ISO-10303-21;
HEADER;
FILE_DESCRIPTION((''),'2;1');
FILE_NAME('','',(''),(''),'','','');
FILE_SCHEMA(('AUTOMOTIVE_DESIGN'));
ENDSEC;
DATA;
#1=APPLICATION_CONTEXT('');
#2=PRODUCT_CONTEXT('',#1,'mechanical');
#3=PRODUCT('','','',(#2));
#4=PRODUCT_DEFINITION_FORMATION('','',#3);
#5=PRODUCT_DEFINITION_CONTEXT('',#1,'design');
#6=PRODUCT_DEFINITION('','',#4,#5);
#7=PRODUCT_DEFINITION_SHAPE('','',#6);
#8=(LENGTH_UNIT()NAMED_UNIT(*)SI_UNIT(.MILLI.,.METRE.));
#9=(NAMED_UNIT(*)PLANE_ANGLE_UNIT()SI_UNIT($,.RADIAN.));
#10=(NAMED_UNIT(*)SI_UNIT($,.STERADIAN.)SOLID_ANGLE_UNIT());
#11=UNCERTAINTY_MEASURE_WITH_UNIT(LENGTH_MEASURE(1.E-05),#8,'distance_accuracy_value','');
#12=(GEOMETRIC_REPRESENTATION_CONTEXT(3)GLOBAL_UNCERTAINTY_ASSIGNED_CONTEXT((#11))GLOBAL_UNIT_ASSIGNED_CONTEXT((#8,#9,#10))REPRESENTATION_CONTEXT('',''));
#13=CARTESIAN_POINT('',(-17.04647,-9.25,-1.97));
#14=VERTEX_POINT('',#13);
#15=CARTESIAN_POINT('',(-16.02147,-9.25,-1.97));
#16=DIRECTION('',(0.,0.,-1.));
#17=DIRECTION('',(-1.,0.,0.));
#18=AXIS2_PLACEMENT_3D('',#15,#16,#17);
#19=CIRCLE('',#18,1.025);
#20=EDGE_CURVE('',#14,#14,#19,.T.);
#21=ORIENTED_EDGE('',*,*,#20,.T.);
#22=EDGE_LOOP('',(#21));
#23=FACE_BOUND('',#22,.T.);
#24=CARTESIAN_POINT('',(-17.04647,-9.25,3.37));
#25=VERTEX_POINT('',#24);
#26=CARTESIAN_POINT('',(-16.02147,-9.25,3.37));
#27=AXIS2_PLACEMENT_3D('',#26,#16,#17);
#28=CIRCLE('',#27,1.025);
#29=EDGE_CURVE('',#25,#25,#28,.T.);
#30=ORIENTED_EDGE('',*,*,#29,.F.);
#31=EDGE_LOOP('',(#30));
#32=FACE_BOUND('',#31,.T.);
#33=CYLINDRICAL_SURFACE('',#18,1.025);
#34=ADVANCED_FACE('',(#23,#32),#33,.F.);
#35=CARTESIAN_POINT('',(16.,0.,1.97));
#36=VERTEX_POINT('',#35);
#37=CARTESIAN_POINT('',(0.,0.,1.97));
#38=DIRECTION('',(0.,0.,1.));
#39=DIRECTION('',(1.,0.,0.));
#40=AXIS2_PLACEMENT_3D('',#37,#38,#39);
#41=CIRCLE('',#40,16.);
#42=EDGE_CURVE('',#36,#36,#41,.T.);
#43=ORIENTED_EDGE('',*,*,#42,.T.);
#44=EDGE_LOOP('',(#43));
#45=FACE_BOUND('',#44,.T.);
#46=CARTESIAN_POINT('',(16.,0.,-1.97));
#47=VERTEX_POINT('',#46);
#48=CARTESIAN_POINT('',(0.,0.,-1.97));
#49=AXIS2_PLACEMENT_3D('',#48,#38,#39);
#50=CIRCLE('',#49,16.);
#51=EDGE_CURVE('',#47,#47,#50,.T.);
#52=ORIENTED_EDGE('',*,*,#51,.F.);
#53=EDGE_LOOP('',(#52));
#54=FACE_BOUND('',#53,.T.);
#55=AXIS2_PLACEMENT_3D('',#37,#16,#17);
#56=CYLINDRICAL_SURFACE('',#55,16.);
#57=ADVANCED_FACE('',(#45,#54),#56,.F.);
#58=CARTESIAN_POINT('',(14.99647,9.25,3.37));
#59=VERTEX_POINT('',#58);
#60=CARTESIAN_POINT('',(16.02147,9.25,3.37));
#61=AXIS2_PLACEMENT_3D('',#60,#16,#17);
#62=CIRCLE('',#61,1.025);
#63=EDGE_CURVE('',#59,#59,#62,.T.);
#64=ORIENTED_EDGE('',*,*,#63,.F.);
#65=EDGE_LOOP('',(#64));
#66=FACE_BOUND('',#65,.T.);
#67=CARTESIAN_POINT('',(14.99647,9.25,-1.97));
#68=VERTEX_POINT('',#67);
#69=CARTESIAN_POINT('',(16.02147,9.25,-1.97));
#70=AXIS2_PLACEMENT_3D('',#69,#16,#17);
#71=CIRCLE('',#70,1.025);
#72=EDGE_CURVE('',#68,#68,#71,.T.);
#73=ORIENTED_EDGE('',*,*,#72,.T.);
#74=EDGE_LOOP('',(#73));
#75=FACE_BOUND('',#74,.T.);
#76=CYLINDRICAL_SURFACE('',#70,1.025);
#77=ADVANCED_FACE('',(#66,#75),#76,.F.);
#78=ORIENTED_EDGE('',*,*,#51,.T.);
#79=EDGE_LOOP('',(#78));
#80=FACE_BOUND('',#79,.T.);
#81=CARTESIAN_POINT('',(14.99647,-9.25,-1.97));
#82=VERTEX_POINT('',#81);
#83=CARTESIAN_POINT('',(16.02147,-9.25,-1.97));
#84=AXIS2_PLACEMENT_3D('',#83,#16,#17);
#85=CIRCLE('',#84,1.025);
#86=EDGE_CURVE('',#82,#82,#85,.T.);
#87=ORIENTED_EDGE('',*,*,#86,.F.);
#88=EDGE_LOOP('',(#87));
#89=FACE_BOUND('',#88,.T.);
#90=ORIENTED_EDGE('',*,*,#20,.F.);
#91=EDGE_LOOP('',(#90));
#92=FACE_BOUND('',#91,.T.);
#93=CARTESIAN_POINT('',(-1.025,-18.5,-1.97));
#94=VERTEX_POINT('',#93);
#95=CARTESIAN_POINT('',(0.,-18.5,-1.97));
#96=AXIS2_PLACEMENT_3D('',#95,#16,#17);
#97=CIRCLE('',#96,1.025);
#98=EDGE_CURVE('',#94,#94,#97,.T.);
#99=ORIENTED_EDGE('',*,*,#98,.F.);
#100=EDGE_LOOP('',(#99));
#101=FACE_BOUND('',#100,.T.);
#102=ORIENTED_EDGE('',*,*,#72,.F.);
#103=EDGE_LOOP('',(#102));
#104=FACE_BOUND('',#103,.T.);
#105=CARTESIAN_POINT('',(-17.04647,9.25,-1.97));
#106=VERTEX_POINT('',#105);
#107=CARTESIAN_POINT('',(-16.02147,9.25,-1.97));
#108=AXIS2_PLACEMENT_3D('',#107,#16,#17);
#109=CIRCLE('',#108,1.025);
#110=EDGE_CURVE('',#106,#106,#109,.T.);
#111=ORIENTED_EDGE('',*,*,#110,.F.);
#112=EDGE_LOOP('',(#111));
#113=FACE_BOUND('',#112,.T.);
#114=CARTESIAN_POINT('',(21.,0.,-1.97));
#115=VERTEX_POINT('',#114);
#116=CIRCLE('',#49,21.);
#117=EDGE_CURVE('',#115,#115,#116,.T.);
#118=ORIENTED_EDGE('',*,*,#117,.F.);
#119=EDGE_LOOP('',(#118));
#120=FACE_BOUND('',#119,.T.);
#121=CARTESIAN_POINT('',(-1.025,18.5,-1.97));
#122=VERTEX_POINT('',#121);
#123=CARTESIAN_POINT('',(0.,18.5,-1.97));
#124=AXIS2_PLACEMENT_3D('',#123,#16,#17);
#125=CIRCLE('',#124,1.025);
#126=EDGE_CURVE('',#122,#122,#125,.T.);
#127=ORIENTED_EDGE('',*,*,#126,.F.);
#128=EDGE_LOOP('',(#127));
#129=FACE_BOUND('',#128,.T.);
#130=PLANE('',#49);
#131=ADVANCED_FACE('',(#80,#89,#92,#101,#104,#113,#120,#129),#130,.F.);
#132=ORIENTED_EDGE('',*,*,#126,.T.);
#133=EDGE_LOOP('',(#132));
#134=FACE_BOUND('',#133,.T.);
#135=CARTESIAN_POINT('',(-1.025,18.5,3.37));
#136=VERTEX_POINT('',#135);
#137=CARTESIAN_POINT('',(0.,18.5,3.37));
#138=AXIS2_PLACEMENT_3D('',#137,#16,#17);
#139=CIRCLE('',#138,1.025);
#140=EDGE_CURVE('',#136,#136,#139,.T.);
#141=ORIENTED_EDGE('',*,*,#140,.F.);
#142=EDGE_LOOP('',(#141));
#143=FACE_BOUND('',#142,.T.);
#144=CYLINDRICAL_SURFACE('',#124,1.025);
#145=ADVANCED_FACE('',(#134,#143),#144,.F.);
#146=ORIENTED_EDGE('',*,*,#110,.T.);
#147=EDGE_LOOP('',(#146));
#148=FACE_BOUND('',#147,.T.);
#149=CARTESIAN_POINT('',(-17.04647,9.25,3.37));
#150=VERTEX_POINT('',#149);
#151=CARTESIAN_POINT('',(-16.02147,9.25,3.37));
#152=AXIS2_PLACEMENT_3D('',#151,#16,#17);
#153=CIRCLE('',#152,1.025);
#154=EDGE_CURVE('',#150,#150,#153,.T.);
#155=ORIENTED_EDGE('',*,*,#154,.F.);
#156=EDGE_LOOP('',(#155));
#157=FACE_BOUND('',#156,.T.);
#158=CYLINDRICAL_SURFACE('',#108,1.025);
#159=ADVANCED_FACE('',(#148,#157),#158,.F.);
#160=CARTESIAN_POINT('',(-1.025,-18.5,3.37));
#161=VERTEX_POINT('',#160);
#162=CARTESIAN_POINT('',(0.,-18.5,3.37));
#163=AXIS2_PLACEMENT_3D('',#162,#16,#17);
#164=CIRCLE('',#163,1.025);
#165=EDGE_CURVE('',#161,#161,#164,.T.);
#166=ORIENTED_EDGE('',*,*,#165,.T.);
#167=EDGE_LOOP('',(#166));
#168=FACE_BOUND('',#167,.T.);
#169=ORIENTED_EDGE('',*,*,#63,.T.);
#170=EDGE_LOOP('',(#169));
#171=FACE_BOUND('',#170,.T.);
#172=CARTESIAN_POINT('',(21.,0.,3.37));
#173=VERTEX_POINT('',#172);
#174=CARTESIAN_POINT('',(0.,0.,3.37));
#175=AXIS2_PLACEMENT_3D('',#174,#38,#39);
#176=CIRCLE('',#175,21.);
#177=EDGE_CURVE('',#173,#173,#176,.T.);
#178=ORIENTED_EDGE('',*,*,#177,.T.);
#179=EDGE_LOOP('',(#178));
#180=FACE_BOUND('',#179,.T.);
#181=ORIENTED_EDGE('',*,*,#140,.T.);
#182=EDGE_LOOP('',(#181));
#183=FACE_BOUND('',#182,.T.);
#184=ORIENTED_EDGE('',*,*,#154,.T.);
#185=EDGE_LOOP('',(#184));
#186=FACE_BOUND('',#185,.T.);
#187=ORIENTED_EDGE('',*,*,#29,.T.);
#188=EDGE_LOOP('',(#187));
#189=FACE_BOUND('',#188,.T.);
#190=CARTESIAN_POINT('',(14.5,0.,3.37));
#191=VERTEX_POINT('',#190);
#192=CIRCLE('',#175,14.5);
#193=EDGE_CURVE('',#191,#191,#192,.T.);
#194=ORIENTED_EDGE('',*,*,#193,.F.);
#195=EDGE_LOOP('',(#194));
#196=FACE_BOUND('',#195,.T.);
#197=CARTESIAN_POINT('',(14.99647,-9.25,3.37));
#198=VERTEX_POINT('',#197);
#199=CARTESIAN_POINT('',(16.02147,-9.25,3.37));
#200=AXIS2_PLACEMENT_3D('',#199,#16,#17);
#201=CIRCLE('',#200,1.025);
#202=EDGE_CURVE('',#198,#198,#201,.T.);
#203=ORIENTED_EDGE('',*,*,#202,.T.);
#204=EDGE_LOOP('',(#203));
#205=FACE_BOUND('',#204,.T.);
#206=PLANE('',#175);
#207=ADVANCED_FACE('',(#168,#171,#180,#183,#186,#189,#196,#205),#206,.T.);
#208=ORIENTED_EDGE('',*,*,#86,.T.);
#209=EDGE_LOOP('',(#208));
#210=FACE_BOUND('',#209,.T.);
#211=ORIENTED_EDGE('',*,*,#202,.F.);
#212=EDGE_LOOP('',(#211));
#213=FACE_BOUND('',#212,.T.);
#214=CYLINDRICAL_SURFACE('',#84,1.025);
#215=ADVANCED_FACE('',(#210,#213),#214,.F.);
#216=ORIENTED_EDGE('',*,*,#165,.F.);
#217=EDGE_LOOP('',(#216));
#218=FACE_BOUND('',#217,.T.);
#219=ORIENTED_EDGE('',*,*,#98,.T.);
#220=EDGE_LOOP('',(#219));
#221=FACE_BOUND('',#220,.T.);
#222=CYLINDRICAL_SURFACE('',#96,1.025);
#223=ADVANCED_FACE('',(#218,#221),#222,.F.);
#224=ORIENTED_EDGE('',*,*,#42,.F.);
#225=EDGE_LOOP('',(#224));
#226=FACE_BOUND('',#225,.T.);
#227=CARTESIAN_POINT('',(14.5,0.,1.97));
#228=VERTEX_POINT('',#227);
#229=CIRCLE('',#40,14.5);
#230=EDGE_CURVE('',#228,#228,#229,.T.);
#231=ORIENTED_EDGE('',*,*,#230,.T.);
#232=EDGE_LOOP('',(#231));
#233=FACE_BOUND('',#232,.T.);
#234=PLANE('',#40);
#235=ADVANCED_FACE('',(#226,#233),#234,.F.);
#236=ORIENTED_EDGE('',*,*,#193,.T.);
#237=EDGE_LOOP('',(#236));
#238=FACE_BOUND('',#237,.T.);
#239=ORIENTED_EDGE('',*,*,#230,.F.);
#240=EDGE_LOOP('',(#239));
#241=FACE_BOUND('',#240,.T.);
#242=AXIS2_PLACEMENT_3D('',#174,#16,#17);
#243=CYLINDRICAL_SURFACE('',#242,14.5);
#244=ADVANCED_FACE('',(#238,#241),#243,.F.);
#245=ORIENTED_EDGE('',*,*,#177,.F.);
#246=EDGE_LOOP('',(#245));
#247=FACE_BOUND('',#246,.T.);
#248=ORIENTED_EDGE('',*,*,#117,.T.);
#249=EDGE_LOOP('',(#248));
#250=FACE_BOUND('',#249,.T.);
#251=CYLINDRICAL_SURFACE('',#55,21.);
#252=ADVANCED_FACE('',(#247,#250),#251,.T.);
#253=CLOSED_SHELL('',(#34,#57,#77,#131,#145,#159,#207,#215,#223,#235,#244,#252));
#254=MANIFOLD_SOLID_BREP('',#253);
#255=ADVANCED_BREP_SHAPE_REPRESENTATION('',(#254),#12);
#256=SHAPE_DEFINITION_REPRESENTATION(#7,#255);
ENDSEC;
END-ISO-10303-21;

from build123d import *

# Parameters (mm, degrees)
SKETCH_1_R               = 21
SKETCH_1_R_2             = 16
EXTRUDE_1_DEPTH          = 1.97
EXTRUDE_START            = 1.4
SKETCH_2_R               = 21
SKETCH_2_R_2             = 14.5
EXTRUDE_2_DEPTH          = 1.4
HOLE_WIZARD_M2_5_1_D     = 2.05
PATTERN_CIRCULAR_1_COUNT = 6


with BuildPart() as part:
    # 草图1 → 凸台-拉伸1 (new, symmetric)
    with BuildSketch(Plane.XY):
        Circle(SKETCH_1_R)
        Circle(SKETCH_1_R_2, mode=Mode.SUBTRACT)
    extrude(amount=EXTRUDE_1_DEPTH, both=True)

    # 草图2 → 凸台-拉伸2 (add)
    with BuildSketch(Plane.XY.offset(1.97).offset(EXTRUDE_START)):
        Circle(SKETCH_2_R)
        Circle(SKETCH_2_R_2, mode=Mode.SUBTRACT)
    extrude(amount=-EXTRUDE_2_DEPTH)

    # M2.5 螺纹孔1 (through all)
    with Locations(Plane(origin=(0, 0, -1.97), x_dir=(-1, 0, 0), z_dir=(0, 0, -1))):
        with Locations((0, 18.5)):
            hole_wizard_m2_5_1 = Hole(HOLE_WIZARD_M2_5_1_D / 2)

    # 阵列(圆周)1: M2.5 螺纹孔1 ×6 about axis
    pattern_circular_1_axis = Axis((0, 0, 0), (0, 0, 1))
    for i in range(1, PATTERN_CIRCULAR_1_COUNT):
        add(hole_wizard_m2_5_1.rotate(pattern_circular_1_axis, i * 360 / PATTERN_CIRCULAR_1_COUNT), mode=Mode.SUBTRACT)


solid = part.part
